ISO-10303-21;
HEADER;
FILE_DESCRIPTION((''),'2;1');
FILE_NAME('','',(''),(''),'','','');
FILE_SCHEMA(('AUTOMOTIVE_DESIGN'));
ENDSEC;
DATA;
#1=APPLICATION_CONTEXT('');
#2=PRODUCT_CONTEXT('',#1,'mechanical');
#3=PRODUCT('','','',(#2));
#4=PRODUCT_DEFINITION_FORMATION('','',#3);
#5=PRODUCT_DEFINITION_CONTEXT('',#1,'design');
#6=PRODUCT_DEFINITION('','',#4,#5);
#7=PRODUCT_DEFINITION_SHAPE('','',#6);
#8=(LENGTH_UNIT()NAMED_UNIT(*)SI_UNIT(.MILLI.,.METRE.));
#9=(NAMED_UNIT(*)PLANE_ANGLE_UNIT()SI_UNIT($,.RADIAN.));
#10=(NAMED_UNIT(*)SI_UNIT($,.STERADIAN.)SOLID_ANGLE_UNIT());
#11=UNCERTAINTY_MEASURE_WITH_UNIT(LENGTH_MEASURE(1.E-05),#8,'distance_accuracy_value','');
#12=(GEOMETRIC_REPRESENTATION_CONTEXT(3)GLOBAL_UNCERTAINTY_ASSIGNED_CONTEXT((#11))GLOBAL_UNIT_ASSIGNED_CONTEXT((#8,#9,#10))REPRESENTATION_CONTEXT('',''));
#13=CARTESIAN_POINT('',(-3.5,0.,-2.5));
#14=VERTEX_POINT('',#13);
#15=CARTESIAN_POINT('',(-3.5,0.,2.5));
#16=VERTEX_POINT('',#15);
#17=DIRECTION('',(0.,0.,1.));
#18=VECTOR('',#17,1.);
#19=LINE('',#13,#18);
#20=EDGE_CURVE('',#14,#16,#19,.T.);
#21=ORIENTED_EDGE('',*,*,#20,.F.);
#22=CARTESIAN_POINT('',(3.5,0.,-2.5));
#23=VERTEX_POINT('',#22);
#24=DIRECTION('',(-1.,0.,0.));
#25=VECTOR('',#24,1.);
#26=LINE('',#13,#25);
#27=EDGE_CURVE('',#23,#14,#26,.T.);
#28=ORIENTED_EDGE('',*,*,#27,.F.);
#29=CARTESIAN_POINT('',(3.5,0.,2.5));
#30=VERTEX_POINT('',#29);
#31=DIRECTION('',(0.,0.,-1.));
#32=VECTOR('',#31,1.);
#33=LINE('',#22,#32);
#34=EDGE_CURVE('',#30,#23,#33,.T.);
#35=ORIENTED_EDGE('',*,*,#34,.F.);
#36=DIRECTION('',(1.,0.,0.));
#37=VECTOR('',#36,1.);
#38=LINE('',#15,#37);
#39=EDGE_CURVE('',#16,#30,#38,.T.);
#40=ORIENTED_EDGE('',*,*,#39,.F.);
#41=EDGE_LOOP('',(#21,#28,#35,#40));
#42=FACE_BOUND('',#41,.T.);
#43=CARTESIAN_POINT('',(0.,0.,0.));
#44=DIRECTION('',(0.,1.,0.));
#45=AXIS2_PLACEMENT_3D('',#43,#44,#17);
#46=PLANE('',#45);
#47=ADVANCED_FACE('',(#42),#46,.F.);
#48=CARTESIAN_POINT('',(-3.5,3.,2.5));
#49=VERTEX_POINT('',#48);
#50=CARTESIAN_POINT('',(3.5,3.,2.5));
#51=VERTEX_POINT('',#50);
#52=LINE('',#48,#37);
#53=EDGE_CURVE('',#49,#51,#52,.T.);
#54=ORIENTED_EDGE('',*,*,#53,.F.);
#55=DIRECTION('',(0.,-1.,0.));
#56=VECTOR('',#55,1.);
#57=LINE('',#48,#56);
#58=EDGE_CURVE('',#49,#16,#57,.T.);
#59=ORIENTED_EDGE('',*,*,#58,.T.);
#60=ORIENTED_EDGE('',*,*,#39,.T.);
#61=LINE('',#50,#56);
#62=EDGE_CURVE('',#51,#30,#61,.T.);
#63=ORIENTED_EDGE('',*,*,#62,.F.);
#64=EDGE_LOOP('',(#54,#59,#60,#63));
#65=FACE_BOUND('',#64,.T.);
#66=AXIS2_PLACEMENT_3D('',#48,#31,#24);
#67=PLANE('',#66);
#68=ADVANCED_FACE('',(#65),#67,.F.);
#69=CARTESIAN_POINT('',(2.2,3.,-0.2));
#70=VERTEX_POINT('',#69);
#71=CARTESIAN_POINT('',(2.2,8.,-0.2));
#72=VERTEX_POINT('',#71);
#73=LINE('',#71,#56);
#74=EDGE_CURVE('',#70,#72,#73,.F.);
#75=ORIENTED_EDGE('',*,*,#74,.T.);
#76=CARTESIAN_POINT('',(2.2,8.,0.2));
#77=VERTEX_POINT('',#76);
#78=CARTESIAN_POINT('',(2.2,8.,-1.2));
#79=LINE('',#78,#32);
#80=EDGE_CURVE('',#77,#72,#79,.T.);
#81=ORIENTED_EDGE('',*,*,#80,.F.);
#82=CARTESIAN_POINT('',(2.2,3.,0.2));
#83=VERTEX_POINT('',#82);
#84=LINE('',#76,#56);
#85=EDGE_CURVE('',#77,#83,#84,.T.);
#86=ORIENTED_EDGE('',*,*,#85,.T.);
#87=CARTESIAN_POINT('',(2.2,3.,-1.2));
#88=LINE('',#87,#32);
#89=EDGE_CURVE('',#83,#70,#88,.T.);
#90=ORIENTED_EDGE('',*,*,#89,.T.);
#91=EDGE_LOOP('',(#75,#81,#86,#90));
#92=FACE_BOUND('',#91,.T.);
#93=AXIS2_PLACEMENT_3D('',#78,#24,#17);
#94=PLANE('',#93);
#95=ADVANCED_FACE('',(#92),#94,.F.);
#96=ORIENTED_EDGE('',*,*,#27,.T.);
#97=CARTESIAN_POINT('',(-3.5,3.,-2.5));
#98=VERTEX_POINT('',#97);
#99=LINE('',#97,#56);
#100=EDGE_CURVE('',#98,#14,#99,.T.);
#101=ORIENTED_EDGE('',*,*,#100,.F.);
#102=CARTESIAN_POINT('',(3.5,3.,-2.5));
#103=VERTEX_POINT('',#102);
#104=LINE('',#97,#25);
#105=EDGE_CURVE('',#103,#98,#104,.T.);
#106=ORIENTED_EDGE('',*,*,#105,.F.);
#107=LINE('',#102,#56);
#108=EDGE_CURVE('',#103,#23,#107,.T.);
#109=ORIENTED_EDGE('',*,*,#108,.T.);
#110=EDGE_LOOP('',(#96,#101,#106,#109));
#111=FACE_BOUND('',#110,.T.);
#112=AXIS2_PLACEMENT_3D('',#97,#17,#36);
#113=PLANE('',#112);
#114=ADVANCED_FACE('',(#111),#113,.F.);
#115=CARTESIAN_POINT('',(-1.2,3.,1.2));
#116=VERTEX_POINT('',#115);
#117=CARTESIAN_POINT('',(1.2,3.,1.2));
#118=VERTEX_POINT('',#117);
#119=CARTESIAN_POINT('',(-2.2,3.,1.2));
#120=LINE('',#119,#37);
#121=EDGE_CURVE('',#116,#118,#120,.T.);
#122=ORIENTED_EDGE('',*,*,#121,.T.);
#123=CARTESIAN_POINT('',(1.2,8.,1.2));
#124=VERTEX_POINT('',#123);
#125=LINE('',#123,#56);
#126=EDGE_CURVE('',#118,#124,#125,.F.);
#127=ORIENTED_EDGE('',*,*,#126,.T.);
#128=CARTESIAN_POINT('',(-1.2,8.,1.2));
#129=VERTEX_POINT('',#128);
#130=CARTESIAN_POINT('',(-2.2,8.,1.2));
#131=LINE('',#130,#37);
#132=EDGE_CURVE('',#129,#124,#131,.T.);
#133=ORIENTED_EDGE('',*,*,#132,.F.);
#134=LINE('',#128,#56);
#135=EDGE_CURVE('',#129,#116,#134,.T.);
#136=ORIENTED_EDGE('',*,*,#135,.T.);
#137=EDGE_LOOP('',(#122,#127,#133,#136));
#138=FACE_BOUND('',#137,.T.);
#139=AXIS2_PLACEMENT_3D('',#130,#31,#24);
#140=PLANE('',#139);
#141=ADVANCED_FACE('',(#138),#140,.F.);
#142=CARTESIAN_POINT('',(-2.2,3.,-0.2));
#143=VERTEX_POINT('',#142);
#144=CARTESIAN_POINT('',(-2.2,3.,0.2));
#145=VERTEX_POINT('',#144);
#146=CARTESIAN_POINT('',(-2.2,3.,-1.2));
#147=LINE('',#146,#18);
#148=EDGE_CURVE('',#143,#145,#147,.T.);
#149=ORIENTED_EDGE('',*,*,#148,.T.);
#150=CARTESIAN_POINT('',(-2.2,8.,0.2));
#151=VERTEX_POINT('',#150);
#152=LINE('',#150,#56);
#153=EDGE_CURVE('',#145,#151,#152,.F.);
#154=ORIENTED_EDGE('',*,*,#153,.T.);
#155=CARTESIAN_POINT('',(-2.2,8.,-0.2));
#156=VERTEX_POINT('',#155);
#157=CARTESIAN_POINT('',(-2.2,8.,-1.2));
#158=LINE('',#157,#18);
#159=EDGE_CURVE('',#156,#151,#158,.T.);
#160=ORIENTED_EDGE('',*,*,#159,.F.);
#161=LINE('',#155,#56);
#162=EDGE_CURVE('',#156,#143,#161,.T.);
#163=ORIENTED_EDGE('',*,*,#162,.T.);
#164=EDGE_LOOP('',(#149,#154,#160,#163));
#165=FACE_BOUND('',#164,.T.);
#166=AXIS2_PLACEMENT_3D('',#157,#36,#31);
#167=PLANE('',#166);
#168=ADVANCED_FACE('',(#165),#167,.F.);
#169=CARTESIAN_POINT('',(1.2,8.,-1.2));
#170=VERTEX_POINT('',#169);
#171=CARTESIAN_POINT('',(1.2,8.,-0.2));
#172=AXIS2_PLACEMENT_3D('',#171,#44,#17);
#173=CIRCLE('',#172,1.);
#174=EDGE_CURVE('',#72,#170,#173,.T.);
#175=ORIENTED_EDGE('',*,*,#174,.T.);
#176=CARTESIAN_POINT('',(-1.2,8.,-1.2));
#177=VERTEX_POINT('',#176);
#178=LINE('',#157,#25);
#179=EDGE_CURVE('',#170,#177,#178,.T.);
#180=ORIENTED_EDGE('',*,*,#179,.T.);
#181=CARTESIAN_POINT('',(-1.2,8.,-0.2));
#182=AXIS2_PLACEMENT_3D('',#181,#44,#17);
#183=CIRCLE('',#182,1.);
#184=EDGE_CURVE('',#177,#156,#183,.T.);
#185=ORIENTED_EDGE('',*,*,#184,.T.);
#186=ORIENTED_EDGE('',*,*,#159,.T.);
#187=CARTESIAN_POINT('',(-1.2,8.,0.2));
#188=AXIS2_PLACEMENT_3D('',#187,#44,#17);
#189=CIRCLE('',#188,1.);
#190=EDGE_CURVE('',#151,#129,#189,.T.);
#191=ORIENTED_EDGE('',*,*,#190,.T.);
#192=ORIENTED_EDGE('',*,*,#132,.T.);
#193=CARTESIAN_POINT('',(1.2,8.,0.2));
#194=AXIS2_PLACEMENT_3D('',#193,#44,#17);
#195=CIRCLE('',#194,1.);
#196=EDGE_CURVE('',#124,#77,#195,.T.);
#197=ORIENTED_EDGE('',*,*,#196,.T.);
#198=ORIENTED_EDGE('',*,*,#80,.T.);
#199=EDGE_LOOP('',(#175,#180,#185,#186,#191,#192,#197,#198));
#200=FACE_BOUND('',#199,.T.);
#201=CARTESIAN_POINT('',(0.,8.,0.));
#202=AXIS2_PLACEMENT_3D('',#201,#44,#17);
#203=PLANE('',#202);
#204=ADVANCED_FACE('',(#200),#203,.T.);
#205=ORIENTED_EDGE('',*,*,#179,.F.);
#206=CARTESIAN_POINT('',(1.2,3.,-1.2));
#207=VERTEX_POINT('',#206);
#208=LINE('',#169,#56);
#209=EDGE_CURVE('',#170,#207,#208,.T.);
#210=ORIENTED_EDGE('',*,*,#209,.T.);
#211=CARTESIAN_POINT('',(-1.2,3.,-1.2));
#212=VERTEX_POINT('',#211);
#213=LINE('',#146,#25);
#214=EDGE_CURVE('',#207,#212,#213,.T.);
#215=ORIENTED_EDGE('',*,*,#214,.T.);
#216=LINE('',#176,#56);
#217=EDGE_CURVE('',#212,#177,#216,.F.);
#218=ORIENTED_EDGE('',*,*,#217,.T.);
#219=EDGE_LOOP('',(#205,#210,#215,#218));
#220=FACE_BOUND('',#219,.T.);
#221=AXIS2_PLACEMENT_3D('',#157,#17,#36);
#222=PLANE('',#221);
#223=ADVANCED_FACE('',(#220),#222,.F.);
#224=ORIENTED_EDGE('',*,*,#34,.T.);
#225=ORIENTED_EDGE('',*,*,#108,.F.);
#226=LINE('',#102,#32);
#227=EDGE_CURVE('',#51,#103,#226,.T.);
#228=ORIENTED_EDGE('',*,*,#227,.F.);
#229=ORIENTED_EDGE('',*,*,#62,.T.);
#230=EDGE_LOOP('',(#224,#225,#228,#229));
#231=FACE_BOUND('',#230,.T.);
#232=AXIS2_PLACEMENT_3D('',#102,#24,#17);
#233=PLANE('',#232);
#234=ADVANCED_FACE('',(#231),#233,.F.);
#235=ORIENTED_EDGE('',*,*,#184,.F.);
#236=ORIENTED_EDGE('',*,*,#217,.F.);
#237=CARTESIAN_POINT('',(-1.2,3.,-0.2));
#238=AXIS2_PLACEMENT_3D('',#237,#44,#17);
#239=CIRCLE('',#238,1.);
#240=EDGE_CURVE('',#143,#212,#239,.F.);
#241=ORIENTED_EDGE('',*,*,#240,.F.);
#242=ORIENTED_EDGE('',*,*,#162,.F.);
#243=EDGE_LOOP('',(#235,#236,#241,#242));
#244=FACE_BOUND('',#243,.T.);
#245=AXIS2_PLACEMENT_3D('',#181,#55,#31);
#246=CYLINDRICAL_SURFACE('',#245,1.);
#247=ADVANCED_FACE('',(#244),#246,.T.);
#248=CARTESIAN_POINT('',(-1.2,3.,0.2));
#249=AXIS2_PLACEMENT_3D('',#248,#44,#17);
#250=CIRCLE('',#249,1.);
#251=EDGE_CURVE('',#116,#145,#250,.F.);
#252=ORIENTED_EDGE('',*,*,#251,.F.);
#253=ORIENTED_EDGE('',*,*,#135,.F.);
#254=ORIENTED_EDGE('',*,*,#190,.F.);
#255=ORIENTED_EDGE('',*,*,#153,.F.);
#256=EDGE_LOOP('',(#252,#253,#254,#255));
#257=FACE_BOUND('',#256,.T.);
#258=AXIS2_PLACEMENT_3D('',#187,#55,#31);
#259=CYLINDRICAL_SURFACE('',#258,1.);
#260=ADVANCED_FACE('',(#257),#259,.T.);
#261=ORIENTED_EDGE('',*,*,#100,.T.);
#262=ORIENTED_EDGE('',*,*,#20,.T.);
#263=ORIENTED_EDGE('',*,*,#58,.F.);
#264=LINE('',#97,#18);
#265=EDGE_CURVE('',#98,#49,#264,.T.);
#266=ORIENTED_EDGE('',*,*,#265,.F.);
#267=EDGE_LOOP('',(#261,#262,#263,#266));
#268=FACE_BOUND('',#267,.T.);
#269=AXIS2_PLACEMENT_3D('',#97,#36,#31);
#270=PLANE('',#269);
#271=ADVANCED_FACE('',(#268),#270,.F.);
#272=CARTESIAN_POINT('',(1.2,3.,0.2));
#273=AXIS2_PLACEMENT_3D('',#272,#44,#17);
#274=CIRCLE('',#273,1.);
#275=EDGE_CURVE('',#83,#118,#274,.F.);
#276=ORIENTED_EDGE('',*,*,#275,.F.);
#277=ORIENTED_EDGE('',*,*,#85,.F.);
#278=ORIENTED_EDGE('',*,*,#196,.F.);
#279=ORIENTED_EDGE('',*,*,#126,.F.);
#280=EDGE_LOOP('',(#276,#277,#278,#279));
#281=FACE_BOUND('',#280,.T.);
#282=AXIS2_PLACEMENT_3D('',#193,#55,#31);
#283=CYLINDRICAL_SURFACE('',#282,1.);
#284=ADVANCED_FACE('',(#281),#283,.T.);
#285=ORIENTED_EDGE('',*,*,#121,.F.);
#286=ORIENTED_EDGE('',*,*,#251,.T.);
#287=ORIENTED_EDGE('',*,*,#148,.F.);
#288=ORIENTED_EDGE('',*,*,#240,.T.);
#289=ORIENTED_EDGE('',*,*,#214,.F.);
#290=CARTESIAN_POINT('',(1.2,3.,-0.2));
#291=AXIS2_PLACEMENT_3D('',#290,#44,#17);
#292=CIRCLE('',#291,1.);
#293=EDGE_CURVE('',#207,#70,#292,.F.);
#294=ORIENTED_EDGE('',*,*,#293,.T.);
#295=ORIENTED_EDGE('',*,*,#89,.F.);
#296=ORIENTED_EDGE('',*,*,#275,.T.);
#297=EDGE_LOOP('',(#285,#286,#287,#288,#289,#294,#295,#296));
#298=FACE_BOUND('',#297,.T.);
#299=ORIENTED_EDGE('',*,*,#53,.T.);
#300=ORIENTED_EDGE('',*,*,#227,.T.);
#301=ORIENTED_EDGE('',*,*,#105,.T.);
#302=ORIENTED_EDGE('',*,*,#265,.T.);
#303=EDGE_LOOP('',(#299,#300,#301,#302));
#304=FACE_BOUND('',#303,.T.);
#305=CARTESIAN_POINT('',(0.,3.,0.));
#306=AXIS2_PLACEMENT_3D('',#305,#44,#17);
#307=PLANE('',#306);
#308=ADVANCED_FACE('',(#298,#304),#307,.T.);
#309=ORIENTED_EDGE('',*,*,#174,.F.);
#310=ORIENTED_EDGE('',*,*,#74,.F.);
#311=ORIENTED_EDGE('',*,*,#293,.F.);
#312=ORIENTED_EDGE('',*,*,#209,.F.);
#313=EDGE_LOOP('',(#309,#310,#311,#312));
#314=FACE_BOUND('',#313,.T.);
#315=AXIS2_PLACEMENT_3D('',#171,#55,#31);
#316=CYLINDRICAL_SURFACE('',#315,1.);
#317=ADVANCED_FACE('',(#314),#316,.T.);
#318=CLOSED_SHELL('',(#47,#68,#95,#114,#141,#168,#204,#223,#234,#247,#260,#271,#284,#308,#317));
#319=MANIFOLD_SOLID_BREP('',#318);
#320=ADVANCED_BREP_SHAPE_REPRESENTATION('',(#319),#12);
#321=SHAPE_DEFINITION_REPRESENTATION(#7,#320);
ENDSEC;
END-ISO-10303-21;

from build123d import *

# Parameters (mm, degrees)
SKETCH1_W           = 7
SKETCH1_H           = 5
BOSS_EXTRUDE1_DEPTH = 3
SKETCH2_W           = 4.4
SKETCH2_H           = 2.4
BOSS_EXTRUDE2_DEPTH = 5
FILLET1_R           = 1


with BuildPart() as part:
    # Sketch1 → Boss-Extrude1 (new body)
    with BuildSketch(Plane(origin=(0, 0, 0), x_dir=(1, 0, 0), z_dir=(0, 1, 0))):
        Rectangle(SKETCH1_W, SKETCH1_H)
    extrude(amount=BOSS_EXTRUDE1_DEPTH)

    # Sketch2 → Boss-Extrude2 (add)
    with BuildSketch(Plane(origin=(0, 3, 0), x_dir=(1, 0, 0), z_dir=(0, 1, 0))):
        Rectangle(SKETCH2_W, SKETCH2_H)
    extrude(amount=BOSS_EXTRUDE2_DEPTH)

    # Fillet1
    fillet1_edges = [part.edges().sort_by_distance(p)[0] for p in [
        (2.2, 5.5, 1.2),
        (2.2, 5.5, -1.2),
        (-2.2, 5.5, -1.2),
        (-2.2, 5.5, 1.2),
    ]]
    fillet(fillet1_edges, radius=FILLET1_R)


solid = part.part
